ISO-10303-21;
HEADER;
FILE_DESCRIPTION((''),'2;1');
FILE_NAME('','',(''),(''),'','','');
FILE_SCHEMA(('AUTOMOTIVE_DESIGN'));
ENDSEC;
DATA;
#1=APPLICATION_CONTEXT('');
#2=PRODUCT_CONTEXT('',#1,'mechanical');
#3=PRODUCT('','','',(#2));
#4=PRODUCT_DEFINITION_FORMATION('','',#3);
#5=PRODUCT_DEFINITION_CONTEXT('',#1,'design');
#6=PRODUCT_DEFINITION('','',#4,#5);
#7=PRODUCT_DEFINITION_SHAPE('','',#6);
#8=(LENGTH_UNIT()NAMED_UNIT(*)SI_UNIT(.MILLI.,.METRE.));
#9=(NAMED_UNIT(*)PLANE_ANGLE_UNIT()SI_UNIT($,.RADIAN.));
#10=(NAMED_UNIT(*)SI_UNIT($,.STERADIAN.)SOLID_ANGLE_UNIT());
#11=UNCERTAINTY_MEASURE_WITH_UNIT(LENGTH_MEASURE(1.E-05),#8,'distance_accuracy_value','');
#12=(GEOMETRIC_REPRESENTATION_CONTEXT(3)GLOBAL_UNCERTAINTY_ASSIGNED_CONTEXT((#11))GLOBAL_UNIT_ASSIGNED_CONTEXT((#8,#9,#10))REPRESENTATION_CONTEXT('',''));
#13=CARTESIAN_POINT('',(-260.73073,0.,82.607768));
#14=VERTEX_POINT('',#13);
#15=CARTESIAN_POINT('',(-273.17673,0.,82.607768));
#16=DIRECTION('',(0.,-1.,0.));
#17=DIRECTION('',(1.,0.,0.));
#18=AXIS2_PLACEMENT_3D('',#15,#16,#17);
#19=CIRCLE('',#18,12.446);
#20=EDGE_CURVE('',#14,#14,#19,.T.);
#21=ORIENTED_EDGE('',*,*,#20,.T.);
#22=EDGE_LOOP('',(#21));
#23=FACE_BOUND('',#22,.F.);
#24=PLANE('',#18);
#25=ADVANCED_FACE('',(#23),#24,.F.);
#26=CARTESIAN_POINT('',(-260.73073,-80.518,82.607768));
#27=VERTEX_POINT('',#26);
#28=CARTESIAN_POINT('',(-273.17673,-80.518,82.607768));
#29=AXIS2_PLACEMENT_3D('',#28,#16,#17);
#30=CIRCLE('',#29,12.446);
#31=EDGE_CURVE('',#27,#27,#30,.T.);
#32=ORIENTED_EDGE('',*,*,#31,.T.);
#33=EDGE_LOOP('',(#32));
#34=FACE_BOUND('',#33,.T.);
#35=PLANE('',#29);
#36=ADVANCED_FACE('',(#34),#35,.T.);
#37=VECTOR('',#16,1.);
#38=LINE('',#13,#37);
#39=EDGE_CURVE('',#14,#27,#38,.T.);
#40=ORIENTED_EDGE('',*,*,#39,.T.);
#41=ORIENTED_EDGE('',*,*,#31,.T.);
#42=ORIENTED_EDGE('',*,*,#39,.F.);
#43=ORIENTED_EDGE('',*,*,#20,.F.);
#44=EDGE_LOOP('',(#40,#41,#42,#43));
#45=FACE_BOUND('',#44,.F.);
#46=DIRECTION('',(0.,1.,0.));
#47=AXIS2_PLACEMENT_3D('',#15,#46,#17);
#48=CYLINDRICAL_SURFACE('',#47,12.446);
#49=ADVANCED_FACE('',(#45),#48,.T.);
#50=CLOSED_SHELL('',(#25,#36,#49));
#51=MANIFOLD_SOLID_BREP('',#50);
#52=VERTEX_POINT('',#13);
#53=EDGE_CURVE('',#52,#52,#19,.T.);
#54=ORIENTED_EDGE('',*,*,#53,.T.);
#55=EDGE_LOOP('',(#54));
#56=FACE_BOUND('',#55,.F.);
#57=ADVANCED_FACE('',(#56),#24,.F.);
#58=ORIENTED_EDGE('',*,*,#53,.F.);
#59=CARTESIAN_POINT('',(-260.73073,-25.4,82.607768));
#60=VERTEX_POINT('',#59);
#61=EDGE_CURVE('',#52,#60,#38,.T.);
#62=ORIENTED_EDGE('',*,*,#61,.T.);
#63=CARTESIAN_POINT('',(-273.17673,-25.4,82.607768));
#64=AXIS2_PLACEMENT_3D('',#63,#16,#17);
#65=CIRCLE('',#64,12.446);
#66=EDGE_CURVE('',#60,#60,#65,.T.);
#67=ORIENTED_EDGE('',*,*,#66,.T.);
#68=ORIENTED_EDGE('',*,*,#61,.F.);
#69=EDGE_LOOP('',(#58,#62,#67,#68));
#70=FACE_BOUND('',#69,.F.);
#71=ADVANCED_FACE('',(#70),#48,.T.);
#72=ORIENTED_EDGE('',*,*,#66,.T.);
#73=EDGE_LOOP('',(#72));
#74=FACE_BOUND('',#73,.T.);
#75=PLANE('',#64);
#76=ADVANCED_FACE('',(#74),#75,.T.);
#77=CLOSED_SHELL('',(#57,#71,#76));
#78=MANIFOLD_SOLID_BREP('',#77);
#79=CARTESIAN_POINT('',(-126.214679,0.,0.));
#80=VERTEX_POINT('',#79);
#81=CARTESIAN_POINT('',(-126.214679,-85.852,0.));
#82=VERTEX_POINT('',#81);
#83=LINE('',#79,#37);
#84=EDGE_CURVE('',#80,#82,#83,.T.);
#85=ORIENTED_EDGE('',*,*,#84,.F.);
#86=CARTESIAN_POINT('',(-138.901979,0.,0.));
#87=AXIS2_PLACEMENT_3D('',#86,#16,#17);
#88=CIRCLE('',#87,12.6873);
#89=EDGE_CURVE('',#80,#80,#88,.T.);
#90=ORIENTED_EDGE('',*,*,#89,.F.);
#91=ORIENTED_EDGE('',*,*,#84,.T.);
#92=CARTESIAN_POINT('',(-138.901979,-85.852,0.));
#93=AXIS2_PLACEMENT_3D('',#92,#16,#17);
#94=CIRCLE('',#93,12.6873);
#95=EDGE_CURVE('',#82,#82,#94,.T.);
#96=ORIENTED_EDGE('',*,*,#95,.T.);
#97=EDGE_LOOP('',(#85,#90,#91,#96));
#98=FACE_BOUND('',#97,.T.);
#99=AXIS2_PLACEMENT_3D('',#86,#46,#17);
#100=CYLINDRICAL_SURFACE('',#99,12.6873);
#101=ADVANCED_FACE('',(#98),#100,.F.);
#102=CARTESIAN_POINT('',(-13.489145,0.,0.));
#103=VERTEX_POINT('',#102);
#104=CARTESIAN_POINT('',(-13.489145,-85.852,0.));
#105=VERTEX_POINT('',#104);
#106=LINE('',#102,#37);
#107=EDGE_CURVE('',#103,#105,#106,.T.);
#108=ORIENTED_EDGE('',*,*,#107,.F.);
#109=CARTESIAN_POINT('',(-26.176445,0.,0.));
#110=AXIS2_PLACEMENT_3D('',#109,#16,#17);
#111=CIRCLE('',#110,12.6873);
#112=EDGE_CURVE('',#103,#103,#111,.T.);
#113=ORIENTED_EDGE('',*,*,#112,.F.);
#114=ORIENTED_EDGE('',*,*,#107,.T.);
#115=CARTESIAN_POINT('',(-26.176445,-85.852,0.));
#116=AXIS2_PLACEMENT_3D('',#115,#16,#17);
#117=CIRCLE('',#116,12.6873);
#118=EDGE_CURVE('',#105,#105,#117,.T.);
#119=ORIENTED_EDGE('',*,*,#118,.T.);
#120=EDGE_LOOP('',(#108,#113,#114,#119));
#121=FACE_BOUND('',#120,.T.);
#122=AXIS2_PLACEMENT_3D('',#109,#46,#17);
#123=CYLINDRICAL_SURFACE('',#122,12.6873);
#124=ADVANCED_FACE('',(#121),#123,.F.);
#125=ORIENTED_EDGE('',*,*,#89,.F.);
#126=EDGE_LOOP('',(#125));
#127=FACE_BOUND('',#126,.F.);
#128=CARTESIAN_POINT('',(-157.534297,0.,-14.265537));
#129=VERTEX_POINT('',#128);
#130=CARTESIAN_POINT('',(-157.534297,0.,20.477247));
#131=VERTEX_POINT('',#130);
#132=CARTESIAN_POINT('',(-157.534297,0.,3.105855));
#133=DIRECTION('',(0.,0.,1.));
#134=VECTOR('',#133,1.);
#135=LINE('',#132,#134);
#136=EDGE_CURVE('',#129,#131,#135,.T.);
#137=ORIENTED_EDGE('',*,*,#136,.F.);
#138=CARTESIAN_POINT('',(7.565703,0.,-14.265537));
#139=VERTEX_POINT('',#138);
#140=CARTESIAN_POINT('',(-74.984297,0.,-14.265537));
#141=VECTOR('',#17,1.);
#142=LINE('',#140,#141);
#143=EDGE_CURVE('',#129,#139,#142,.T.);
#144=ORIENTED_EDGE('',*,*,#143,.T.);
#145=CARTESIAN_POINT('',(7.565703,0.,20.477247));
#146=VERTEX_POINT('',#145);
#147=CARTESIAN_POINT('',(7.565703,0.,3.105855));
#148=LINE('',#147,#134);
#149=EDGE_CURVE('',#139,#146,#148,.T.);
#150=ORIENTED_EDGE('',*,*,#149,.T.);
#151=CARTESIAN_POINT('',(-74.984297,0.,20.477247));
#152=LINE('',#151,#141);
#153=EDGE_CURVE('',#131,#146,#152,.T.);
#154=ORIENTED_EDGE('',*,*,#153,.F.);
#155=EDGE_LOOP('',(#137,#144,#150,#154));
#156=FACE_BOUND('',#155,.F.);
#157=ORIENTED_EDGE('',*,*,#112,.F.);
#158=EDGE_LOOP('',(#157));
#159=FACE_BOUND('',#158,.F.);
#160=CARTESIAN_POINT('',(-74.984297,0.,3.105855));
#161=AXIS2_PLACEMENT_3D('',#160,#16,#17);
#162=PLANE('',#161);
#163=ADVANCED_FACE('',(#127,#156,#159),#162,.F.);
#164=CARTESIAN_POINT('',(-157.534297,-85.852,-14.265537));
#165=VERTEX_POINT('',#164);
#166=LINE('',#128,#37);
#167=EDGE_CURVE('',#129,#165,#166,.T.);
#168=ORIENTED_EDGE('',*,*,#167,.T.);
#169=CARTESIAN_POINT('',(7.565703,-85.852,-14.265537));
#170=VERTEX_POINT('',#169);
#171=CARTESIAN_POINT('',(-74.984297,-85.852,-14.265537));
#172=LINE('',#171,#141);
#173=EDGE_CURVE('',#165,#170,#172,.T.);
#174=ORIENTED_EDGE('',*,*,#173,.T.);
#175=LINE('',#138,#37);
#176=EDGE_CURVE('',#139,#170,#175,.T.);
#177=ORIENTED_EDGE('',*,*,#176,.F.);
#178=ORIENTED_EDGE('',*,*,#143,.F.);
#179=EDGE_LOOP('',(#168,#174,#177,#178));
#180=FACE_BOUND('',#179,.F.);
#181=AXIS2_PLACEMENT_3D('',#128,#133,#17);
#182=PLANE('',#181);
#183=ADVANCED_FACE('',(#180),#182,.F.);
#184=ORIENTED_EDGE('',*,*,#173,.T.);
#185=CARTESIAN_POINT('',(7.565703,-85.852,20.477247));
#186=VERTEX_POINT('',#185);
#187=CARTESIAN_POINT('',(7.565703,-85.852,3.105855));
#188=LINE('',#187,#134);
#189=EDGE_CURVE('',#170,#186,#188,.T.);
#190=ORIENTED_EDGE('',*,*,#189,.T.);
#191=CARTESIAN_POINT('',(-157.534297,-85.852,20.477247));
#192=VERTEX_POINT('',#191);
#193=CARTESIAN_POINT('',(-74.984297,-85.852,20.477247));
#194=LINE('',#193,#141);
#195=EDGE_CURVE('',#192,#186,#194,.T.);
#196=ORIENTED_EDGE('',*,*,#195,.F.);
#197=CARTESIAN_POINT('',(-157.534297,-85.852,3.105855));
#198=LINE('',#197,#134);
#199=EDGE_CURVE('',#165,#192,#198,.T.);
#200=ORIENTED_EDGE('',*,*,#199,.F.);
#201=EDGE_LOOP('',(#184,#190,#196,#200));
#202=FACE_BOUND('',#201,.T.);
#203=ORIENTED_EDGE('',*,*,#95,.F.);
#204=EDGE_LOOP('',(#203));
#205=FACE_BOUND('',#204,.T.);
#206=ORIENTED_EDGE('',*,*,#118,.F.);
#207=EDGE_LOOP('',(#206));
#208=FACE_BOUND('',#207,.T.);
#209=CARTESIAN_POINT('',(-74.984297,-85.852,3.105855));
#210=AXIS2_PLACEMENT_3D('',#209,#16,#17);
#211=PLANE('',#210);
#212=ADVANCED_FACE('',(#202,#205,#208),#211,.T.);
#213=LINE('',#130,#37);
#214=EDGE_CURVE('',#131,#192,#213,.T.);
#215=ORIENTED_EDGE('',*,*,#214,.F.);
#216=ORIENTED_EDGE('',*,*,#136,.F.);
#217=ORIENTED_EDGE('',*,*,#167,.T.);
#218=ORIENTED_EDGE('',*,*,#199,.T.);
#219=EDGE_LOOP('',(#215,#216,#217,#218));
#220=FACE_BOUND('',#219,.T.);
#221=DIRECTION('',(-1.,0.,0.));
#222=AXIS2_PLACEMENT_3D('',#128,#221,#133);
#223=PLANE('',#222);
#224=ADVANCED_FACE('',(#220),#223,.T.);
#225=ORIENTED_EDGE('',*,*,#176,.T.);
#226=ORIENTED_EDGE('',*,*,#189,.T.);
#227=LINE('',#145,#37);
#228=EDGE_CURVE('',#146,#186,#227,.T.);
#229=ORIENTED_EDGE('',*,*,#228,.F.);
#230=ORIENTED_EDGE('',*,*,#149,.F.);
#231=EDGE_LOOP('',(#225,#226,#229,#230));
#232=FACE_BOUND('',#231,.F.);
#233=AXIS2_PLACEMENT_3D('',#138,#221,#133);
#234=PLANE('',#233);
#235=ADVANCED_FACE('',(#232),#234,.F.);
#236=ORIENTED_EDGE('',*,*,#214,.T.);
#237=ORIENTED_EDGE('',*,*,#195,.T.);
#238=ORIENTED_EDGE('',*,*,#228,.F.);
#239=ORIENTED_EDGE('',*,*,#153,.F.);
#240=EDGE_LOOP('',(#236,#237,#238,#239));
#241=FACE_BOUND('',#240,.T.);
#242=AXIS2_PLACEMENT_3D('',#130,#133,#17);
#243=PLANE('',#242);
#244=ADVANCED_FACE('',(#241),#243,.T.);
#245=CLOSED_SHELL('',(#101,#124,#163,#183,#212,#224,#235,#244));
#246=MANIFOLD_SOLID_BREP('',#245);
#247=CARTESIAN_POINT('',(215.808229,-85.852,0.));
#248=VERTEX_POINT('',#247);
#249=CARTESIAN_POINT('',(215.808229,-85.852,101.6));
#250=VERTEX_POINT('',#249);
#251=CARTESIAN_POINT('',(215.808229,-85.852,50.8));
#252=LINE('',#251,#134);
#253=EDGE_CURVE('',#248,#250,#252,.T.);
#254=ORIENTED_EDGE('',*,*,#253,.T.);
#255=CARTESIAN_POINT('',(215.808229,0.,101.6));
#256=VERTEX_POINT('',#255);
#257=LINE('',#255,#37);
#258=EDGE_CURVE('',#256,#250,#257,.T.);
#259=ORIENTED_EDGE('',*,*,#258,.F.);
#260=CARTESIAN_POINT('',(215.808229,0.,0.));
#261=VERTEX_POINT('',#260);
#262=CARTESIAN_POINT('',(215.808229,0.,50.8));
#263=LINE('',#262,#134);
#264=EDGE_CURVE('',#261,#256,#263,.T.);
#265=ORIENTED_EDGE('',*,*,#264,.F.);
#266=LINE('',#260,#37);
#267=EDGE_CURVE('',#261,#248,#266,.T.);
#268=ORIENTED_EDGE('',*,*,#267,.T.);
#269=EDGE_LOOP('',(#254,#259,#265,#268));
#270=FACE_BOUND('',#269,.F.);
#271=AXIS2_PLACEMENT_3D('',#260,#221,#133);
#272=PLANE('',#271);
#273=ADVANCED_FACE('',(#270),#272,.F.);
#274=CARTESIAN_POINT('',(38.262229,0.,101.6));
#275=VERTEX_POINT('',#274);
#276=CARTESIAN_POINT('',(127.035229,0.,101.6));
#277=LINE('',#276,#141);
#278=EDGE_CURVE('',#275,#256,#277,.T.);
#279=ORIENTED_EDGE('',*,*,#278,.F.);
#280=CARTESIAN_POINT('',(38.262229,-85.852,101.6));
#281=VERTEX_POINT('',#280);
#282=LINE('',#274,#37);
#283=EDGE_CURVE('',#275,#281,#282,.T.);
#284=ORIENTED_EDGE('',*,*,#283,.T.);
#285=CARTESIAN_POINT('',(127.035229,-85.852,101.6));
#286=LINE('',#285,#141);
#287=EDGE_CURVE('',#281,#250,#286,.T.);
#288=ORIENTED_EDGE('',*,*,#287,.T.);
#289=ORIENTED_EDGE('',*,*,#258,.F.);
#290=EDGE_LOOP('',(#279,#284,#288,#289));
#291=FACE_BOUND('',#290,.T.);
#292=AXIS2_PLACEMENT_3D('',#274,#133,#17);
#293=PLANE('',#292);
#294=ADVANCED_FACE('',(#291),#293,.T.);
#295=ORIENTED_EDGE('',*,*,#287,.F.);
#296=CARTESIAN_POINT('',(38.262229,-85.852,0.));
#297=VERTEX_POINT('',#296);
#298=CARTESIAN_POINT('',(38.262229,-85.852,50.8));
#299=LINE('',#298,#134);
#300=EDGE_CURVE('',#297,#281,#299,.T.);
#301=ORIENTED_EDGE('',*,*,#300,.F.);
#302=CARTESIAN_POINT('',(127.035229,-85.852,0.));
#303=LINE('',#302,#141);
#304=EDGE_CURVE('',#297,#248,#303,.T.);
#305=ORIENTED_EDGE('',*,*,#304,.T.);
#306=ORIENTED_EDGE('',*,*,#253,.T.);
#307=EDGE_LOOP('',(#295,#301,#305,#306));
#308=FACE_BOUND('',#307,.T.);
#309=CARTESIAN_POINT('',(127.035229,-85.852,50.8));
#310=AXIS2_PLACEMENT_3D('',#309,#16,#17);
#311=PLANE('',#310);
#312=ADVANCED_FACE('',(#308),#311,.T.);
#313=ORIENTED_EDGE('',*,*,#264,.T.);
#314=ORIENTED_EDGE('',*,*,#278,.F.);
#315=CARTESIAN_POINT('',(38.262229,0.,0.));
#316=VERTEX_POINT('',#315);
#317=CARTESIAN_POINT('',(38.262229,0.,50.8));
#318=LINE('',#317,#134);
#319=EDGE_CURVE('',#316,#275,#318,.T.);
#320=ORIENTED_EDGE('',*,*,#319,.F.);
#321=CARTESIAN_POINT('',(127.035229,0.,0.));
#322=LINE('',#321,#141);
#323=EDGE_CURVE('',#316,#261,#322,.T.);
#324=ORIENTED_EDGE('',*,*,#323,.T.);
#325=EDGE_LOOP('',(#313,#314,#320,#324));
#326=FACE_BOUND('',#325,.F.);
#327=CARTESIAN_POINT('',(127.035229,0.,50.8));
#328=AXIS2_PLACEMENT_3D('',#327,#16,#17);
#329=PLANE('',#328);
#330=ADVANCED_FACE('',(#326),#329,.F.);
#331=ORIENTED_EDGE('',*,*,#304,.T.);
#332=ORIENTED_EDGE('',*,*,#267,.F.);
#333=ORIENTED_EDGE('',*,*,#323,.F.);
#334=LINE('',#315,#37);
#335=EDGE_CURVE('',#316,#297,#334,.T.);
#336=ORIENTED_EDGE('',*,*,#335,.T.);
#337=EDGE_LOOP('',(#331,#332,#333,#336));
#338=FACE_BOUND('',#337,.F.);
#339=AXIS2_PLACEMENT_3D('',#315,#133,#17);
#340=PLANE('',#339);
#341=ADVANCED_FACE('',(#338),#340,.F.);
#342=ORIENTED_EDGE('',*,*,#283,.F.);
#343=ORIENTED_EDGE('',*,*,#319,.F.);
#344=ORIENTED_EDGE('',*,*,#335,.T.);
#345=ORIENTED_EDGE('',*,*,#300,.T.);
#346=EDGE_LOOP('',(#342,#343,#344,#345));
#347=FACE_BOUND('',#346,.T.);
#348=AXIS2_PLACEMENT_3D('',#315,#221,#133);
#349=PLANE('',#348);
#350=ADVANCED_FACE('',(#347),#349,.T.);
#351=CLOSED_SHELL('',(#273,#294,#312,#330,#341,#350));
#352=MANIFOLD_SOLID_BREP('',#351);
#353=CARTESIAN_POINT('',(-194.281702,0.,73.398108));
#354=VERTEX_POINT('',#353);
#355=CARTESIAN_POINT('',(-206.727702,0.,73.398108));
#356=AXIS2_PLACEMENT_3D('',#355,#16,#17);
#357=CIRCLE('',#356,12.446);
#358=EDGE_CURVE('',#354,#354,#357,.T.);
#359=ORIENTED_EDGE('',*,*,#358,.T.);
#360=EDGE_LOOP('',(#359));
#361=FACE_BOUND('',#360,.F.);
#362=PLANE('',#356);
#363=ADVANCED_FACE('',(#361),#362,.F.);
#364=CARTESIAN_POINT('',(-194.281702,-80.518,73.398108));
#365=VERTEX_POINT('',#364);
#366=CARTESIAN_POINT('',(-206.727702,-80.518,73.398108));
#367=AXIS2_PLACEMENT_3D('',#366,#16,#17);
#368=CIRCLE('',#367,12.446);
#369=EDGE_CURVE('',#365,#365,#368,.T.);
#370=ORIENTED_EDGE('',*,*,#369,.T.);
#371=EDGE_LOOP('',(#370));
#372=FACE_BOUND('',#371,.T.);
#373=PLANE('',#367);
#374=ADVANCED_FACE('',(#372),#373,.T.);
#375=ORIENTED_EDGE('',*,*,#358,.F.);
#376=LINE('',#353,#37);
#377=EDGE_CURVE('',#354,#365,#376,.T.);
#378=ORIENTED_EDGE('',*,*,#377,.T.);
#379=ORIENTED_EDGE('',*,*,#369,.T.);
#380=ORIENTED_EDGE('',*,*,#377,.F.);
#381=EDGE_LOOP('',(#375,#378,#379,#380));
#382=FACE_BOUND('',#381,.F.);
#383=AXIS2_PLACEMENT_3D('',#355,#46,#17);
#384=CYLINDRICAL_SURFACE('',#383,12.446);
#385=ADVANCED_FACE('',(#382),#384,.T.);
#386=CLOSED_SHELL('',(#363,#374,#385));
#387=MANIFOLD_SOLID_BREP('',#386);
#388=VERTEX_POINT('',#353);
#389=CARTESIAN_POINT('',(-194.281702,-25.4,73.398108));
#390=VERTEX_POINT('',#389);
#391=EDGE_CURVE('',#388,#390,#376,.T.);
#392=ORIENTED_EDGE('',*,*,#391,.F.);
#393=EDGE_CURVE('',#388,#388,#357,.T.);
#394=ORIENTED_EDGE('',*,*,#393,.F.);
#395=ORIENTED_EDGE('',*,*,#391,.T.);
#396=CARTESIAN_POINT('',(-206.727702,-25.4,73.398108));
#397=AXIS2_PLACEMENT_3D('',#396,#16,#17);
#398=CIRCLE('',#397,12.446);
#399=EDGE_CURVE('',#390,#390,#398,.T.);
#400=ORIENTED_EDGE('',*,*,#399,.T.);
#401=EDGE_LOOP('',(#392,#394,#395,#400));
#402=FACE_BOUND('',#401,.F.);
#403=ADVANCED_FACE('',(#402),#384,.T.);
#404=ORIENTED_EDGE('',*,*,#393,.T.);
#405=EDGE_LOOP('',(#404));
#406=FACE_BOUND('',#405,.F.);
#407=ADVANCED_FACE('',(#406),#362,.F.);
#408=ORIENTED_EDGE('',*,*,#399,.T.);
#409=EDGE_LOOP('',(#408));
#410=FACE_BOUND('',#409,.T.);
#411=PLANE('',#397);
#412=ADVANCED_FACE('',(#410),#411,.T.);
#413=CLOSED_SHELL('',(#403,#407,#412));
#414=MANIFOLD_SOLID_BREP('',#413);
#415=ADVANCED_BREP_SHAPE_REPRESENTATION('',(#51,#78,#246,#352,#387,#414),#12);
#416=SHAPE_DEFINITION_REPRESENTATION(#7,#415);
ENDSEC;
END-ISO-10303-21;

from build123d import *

# Parameters (mm, degrees)
F0_W     = 165.1
F0_H     = 34.742784
F0_R     = 12.6873
F0_W_2   = 177.546
F0_H_2   = 101.6
F1_DEPTH = 85.852
F2_R     = 12.446
F3_DEPTH = 80.518
F4_DEPTH = 25.4


with BuildPart() as f1:
    # F0 (on Front) → F1 (new body)
    with BuildSketch(Plane.XZ):
        with Locations((-74.984297, 3.105855)):
            Rectangle(F0_W, F0_H)
        with Locations((-138.901979, 0)):
            Circle(F0_R, mode=Mode.SUBTRACT)
        with Locations((-26.176445, 0)):
            Circle(F0_R, mode=Mode.SUBTRACT)
        with Locations((127.035229, 50.8)):
            Rectangle(F0_W_2, F0_H_2)
    extrude(amount=F1_DEPTH)


with BuildPart() as f3:
    # F2 (on Front) → F3 (new body)
    with BuildSketch(Plane.XZ):
        with Locations((-206.727702, 73.398108)):
            Circle(F2_R)
        with Locations((-273.17673, 82.607768)):
            Circle(F2_R)
    extrude(amount=F3_DEPTH)


with BuildPart() as f4:
    # F2 (on Front) → F4 (new body)
    with BuildSketch(Plane.XZ):
        with Locations((-206.727702, 73.398108)):
            Circle(F2_R)
        with Locations((-273.17673, 82.607768)):
            Circle(F2_R)
    extrude(amount=F4_DEPTH)


solid = Compound([f1.part, f3.part, f4.part])
